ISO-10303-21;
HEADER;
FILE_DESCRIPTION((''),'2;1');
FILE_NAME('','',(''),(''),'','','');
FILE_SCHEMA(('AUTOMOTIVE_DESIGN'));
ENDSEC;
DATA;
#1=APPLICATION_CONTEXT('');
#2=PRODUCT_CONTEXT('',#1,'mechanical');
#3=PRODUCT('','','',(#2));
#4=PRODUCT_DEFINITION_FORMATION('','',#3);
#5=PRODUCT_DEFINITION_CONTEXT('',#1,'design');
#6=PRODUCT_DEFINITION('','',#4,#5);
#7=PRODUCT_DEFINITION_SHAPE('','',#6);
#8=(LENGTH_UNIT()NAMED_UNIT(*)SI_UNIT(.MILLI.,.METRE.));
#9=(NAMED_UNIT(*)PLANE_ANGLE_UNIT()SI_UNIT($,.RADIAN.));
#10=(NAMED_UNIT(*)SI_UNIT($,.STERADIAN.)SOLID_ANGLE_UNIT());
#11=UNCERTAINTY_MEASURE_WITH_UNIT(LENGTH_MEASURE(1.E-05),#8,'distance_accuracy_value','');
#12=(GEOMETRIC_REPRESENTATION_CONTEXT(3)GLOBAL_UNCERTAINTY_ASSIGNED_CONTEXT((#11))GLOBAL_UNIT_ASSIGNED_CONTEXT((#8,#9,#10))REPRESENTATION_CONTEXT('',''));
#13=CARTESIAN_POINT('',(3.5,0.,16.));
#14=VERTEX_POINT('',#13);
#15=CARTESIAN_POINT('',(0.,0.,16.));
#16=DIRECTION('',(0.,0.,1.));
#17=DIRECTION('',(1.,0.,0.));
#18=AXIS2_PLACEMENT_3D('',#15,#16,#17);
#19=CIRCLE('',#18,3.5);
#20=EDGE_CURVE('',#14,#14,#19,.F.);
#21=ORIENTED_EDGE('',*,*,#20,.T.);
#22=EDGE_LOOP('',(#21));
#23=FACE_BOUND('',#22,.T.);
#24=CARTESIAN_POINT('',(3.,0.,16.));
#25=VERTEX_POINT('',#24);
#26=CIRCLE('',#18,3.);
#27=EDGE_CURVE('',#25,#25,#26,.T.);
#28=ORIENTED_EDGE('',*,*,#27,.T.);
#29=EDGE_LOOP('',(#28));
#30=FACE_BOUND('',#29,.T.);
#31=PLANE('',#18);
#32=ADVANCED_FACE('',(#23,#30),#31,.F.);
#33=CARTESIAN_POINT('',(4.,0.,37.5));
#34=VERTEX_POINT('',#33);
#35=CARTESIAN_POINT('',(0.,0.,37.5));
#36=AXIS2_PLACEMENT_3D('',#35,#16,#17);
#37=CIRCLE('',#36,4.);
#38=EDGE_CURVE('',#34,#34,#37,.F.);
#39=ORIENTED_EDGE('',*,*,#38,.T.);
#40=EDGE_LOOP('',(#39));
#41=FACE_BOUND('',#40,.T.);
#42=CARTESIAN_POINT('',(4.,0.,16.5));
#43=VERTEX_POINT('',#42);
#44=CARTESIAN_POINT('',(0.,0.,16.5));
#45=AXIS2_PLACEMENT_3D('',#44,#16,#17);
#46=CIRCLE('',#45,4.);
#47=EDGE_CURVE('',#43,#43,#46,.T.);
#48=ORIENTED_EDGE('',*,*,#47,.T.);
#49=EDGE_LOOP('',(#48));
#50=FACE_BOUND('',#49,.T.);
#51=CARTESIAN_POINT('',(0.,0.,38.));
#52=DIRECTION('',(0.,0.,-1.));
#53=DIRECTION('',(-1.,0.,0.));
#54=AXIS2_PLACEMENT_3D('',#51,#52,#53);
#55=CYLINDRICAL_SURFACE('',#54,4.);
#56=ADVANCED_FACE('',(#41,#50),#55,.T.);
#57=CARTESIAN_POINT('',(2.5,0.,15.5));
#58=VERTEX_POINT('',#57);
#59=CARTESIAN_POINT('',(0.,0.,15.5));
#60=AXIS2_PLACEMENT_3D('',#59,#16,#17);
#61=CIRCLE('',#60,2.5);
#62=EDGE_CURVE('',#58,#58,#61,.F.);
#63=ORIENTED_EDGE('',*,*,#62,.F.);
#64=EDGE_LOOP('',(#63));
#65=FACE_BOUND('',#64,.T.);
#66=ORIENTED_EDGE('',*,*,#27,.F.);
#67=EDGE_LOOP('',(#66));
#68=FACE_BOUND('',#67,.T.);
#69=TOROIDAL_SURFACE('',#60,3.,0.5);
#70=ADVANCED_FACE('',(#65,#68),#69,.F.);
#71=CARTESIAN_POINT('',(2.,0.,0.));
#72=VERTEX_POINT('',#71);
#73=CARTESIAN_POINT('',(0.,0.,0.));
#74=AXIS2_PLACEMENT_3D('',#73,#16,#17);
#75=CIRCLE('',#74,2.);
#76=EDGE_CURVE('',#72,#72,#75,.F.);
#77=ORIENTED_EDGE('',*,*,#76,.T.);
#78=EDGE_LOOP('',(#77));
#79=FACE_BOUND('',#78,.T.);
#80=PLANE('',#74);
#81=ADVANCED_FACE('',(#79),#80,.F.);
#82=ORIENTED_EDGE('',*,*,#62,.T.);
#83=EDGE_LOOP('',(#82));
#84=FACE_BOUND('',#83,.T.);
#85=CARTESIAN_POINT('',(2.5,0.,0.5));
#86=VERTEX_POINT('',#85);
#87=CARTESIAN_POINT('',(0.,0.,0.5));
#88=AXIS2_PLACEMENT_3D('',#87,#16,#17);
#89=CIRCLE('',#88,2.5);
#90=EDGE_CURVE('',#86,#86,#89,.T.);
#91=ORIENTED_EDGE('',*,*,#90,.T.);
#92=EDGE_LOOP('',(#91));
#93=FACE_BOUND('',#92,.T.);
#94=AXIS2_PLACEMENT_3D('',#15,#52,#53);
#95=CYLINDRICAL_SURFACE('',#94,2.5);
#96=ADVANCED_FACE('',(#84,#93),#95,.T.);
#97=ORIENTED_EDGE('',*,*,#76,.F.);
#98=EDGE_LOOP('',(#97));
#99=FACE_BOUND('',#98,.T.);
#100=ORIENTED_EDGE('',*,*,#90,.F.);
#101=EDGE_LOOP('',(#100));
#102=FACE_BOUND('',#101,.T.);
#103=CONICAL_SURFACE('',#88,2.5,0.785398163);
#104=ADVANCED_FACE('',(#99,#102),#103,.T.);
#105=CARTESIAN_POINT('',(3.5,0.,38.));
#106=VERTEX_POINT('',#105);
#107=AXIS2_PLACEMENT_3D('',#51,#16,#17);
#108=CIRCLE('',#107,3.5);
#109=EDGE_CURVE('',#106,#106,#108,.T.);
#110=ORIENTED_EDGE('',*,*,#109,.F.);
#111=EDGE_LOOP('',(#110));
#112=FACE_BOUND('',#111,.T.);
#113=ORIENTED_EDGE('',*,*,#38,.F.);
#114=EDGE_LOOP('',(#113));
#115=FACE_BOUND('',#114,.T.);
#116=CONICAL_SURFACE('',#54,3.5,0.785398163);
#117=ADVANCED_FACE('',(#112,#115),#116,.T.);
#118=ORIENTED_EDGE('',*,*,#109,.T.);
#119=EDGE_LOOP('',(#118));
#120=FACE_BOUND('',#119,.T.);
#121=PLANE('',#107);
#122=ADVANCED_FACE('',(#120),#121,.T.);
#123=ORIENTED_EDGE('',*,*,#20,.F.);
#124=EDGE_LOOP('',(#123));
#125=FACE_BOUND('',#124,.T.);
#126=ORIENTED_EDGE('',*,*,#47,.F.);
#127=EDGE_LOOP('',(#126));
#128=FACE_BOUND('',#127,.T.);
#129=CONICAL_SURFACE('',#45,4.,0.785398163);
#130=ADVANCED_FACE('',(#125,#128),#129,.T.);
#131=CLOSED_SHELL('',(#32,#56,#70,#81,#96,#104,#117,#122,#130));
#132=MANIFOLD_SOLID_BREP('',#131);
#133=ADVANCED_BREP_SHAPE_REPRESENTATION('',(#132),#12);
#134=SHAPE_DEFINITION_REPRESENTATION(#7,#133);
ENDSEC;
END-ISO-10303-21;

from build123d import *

# Parameters (mm, degrees)
SKETCH1_R           = 2.5
BOSS_EXTRUDE1_DEPTH = 16
SKETCH2_R           = 4
BOSS_EXTRUDE2_DEPTH = 22
CHAMFER1_SIZE       = 0.5
FILLET1_R           = 0.5


with BuildPart() as part:
    # Sketch1 → Boss-Extrude1 (new body)
    with BuildSketch(Plane.XY):
        Circle(SKETCH1_R)
    extrude(amount=BOSS_EXTRUDE1_DEPTH)

    # Sketch2 → Boss-Extrude2 (add)
    with BuildSketch(Plane.XY.offset(16)):
        Circle(SKETCH2_R)
    extrude(amount=BOSS_EXTRUDE2_DEPTH)

    # Chamfer1
    chamfer1_edges = [part.edges().sort_by_distance(p)[0] for p in [
        (-2.5, 0, 0),
        (-4, 0, 16),
        (-4, 0, 38),
    ]]
    chamfer(chamfer1_edges, length=CHAMFER1_SIZE)

    # Fillet1
    fillet1_edges = [part.edges().sort_by_distance(p)[0] for p in [
        (-2.5, 0, 16),
    ]]
    fillet(fillet1_edges, radius=FILLET1_R)


solid = part.part
